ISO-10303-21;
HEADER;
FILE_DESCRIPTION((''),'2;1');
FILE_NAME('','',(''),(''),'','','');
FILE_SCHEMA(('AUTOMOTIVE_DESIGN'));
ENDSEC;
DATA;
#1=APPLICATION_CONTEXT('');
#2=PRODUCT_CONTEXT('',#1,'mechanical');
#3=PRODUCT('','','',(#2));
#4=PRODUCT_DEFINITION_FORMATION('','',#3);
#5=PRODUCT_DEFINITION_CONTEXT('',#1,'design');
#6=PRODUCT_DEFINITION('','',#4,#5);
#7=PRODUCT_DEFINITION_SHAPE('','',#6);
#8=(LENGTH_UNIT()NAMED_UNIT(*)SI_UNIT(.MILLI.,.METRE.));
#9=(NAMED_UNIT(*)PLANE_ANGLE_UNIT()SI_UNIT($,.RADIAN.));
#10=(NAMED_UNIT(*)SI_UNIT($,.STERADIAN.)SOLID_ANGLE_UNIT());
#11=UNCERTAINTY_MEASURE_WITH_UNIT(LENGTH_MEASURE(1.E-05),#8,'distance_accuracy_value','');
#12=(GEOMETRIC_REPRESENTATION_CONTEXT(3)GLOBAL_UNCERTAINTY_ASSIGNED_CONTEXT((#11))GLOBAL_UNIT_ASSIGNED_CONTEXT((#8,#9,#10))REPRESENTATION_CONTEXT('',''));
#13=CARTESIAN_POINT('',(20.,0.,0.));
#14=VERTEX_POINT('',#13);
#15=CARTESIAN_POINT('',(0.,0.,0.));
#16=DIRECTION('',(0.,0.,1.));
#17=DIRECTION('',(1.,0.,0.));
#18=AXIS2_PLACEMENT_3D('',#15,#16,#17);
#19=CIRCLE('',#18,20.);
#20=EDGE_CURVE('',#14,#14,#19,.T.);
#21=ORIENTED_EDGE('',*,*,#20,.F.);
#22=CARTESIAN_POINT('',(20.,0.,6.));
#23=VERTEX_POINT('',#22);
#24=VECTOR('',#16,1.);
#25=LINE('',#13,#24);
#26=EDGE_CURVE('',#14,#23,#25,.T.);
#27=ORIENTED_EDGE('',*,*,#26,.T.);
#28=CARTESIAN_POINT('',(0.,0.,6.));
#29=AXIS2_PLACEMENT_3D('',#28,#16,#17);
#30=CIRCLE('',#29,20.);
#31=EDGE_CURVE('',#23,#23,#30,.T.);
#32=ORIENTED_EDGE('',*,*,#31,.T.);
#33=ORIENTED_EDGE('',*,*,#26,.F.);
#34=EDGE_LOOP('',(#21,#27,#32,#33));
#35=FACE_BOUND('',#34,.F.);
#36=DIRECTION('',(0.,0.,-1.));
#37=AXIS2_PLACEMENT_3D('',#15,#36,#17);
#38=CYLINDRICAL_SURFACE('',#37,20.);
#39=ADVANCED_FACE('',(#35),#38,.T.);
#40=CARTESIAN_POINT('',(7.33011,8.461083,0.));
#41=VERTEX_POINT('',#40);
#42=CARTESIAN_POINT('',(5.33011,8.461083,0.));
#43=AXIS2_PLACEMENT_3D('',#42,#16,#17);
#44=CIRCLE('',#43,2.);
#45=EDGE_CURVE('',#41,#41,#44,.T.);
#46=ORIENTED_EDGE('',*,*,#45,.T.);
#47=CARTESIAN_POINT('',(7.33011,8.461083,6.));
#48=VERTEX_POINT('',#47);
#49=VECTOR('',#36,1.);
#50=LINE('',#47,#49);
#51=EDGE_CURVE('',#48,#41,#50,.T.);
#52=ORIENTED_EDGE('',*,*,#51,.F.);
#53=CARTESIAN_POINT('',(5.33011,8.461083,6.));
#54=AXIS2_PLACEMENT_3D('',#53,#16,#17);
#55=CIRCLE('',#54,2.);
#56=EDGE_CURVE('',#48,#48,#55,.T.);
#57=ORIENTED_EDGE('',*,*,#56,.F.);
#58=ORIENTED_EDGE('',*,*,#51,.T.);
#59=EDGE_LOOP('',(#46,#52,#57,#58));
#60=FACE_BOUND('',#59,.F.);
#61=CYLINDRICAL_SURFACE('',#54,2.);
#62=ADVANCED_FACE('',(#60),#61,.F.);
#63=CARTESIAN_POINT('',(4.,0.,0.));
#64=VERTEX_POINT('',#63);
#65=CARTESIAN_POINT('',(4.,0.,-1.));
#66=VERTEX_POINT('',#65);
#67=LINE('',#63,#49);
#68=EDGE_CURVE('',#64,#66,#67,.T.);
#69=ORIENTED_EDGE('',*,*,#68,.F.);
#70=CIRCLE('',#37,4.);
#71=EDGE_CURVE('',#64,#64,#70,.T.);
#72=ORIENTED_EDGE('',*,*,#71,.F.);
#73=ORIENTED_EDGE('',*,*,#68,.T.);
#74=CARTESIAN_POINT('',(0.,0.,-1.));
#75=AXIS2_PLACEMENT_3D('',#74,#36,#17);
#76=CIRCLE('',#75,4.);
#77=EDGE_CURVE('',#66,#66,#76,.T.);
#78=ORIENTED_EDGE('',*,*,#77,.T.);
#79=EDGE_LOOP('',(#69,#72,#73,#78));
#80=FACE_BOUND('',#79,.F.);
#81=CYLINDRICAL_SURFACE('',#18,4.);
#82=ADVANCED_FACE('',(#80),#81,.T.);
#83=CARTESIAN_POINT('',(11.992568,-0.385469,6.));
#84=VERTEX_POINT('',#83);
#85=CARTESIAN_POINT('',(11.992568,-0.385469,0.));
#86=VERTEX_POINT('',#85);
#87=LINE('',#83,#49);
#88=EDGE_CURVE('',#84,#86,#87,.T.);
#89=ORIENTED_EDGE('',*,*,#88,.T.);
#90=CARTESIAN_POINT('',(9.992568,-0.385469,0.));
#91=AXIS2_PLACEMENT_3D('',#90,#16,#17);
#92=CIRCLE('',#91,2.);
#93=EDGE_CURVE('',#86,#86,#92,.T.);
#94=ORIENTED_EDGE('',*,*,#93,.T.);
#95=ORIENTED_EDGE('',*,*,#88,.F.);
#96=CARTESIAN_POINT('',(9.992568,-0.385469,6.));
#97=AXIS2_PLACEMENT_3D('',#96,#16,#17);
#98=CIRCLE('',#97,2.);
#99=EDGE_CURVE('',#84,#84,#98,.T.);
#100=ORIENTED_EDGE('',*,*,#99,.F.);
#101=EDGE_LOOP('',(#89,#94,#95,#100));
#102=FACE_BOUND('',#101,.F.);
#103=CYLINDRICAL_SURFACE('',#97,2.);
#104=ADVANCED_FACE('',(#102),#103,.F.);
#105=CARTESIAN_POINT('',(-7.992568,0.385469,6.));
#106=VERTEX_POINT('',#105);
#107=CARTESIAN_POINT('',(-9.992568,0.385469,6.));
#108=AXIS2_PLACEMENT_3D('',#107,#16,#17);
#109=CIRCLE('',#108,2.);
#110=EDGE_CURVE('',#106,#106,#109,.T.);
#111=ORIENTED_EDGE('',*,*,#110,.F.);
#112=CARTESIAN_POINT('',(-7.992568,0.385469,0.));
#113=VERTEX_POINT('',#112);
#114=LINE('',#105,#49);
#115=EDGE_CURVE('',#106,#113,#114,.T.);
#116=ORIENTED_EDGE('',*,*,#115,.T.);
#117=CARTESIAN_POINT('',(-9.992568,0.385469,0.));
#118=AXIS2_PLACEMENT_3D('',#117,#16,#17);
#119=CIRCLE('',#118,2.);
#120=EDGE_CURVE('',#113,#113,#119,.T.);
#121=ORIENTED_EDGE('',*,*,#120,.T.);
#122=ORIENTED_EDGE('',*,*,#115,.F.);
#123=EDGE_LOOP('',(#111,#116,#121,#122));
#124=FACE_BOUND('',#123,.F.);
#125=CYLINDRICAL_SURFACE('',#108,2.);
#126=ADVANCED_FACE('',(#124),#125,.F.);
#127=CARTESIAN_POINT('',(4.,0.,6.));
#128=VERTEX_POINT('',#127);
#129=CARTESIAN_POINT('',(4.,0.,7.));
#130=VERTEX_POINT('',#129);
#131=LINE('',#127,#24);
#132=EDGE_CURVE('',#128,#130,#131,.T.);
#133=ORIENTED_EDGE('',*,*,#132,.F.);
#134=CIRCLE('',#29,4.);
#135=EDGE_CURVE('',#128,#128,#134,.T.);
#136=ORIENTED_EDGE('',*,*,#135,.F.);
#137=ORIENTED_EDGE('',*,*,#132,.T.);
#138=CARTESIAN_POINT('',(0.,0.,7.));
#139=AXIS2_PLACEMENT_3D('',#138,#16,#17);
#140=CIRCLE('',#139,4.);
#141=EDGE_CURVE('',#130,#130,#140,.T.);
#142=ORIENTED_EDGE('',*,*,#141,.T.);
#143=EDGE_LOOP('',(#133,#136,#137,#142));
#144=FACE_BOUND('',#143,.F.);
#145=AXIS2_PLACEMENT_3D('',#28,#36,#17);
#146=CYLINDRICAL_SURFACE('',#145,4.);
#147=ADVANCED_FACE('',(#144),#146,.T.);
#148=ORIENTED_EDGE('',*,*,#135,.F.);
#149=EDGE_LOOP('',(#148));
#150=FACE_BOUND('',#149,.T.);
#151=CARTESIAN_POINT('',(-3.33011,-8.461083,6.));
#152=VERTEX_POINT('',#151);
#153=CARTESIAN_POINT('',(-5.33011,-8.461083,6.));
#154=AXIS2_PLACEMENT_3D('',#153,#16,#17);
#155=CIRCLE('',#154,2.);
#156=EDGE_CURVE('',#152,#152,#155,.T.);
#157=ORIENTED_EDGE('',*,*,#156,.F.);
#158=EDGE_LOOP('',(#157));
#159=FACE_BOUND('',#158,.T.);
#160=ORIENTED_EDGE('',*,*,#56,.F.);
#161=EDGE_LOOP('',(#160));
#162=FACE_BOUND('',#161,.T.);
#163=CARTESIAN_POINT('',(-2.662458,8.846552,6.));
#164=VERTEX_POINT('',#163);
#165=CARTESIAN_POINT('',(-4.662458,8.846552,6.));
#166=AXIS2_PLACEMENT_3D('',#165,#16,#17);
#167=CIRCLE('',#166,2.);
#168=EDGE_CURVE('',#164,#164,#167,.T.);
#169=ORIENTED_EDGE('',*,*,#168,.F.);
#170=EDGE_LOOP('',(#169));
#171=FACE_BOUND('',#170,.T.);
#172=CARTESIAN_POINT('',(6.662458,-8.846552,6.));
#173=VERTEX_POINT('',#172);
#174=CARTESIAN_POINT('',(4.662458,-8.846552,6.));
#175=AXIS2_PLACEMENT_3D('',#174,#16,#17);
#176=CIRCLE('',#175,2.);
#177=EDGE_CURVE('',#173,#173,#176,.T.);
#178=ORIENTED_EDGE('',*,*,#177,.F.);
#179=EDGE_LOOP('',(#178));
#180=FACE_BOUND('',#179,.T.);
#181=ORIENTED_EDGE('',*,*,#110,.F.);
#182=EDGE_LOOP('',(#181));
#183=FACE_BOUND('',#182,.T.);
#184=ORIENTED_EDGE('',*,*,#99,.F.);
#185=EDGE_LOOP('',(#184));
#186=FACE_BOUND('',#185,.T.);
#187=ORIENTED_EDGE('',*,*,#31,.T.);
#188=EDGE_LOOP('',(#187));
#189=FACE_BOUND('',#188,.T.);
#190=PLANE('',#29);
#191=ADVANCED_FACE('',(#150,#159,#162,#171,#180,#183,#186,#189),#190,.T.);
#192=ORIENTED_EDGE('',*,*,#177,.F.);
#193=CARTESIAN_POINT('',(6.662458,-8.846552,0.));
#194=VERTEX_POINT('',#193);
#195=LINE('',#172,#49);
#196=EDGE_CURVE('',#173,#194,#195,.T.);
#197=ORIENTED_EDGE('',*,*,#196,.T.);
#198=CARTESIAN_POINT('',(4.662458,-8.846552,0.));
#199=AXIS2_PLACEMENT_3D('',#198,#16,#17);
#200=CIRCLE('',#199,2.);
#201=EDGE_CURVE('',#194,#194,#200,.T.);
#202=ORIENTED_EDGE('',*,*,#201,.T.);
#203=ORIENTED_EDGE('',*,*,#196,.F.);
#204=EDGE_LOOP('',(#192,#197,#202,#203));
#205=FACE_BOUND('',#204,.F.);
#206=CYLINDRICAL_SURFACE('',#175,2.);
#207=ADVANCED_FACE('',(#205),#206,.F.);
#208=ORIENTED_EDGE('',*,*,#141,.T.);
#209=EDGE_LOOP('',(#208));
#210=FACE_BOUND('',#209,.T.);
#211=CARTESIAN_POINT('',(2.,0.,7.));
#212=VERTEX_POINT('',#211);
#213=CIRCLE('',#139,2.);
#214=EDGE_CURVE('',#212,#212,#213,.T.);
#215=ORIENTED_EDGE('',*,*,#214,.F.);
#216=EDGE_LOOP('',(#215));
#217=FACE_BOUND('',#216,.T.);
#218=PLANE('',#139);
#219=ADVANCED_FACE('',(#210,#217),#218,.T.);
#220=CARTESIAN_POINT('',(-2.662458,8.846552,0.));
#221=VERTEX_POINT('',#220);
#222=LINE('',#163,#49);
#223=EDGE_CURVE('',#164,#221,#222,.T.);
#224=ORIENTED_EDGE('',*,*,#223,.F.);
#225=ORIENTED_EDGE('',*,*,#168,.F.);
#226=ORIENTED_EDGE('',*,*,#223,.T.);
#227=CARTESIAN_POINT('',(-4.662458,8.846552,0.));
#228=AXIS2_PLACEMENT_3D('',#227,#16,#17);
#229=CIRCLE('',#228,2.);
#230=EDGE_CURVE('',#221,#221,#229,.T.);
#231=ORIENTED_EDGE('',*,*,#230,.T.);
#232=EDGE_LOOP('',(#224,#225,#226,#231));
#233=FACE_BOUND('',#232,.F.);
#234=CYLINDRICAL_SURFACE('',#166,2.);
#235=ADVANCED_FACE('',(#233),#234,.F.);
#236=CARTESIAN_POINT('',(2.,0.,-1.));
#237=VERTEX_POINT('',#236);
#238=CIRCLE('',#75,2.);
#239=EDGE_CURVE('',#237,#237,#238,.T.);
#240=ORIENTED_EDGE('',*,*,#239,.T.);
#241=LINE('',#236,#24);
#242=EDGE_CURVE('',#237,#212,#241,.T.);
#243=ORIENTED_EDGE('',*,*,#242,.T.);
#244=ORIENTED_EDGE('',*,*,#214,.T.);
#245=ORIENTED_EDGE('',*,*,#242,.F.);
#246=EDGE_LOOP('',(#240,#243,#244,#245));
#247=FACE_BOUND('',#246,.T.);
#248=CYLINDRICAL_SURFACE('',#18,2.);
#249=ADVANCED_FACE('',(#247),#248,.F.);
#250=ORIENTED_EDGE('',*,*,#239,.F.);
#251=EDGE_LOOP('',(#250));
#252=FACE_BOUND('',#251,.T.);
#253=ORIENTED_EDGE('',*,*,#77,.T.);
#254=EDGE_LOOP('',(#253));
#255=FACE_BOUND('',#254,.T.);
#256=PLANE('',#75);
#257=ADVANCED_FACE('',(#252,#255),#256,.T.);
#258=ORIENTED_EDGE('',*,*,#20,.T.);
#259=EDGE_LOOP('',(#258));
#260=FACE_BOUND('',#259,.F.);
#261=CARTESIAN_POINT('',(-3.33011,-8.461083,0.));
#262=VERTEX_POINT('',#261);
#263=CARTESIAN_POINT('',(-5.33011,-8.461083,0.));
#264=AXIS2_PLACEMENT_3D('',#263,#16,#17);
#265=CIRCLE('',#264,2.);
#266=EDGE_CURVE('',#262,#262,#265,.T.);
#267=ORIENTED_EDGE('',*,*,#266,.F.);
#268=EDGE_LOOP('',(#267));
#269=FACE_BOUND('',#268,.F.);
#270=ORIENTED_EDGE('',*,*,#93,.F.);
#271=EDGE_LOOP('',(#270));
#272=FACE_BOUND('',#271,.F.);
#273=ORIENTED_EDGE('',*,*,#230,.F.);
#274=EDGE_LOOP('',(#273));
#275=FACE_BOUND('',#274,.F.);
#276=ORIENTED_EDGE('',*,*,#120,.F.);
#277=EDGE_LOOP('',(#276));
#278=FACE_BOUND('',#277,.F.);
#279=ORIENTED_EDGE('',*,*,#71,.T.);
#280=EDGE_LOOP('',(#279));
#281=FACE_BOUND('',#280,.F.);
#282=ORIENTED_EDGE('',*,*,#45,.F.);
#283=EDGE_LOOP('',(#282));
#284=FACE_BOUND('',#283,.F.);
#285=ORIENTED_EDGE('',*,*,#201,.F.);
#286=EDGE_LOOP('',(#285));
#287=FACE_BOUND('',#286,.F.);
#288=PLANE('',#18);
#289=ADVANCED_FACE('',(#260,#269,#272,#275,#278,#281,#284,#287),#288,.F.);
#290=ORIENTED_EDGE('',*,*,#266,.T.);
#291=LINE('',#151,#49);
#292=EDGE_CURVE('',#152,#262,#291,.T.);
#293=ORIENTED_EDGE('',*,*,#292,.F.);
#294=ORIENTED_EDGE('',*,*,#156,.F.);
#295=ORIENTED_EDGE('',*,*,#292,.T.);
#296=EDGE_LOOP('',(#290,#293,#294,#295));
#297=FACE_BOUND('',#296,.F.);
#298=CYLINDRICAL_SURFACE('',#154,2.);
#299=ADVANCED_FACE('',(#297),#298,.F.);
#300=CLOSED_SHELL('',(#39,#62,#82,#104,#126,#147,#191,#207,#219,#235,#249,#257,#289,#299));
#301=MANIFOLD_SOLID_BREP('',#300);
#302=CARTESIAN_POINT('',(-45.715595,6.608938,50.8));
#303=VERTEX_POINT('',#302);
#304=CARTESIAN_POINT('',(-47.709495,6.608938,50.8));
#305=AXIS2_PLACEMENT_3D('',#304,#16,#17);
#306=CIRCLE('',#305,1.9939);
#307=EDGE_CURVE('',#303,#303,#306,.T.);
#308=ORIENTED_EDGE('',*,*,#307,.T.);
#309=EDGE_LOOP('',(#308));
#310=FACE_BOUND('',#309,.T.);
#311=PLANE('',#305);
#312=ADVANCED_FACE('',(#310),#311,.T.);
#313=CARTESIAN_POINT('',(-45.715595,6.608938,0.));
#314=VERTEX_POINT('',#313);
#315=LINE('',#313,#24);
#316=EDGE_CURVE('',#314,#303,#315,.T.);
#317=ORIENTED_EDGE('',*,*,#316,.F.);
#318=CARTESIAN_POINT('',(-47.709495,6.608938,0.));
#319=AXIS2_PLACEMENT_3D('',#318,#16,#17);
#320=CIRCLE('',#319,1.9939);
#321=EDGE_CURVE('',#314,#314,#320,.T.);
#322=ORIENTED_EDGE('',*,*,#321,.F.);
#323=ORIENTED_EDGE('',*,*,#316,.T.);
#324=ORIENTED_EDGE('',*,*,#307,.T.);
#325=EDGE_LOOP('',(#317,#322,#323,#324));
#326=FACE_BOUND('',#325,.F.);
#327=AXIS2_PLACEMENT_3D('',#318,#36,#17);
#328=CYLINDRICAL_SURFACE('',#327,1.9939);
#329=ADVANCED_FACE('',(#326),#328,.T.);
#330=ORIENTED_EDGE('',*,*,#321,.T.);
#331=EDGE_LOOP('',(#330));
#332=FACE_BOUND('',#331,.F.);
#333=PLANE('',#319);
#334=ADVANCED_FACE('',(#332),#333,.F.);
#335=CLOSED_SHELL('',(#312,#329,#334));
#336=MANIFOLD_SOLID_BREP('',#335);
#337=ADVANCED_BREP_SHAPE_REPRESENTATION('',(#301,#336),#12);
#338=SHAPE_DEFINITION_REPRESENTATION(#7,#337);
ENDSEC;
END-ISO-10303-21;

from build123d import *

# Parameters (mm, degrees)
F0_R     = 20
F1_DEPTH = 6
F2_R     = 2
F3_DEPTH = 6.001
F2_R_2   = 4
F4_DEPTH = 1
F5_R     = 4
F5_R_2   = 2
F6_DEPTH = 1
F7_R     = 1.9939
F8_DEPTH = 50.8


with BuildPart() as f1:
    # F0 (on Top) → F1 (new body)
    with BuildSketch(Plane.XY):
        Circle(F0_R)
    extrude(amount=F1_DEPTH)

    # F2 (on face) → F3 (cut, through all)
    with BuildSketch(Plane.XY.offset(6)):
        with Locations((-4.6624582915, 8.8465520221)):
            Circle(F2_R)
        with Locations((5.3301096413, 8.4610833356)):
            Circle(F2_R)
        with Locations((9.9925679328, -0.3854686866)):
            Circle(F2_R)
        with Locations((4.6624582915, -8.8465520221)):
            Circle(F2_R)
        with Locations((-5.3301096413, -8.4610833356)):
            Circle(F2_R)
        with Locations((-9.9925679328, 0.3854686866)):
            Circle(F2_R)
        Circle(F2_R)
    extrude(amount=-F3_DEPTH, mode=Mode.SUBTRACT)

    # F2 (on face) → F4 (join)
    with BuildSketch(Plane.XY.offset(6)):
        Circle(F2_R_2)
        Circle(F2_R, mode=Mode.SUBTRACT)
    extrude(amount=F4_DEPTH)

    # F5 (on face) → F6 (join)
    with BuildSketch(Plane(origin=(0, 0, 0), x_dir=(1, 0, 0), z_dir=(0, 0, -1))):
        Circle(F5_R)
        Circle(F5_R_2, mode=Mode.SUBTRACT)
    extrude(amount=F6_DEPTH)


with BuildPart() as f8:
    # F7 (on Top) → F8 (new body)
    with BuildSketch(Plane.XY):
        with Locations((-47.7094948292, 6.6089383326)):
            Circle(F7_R)
    extrude(amount=F8_DEPTH)


solid = Compound([f1.part, f8.part])
